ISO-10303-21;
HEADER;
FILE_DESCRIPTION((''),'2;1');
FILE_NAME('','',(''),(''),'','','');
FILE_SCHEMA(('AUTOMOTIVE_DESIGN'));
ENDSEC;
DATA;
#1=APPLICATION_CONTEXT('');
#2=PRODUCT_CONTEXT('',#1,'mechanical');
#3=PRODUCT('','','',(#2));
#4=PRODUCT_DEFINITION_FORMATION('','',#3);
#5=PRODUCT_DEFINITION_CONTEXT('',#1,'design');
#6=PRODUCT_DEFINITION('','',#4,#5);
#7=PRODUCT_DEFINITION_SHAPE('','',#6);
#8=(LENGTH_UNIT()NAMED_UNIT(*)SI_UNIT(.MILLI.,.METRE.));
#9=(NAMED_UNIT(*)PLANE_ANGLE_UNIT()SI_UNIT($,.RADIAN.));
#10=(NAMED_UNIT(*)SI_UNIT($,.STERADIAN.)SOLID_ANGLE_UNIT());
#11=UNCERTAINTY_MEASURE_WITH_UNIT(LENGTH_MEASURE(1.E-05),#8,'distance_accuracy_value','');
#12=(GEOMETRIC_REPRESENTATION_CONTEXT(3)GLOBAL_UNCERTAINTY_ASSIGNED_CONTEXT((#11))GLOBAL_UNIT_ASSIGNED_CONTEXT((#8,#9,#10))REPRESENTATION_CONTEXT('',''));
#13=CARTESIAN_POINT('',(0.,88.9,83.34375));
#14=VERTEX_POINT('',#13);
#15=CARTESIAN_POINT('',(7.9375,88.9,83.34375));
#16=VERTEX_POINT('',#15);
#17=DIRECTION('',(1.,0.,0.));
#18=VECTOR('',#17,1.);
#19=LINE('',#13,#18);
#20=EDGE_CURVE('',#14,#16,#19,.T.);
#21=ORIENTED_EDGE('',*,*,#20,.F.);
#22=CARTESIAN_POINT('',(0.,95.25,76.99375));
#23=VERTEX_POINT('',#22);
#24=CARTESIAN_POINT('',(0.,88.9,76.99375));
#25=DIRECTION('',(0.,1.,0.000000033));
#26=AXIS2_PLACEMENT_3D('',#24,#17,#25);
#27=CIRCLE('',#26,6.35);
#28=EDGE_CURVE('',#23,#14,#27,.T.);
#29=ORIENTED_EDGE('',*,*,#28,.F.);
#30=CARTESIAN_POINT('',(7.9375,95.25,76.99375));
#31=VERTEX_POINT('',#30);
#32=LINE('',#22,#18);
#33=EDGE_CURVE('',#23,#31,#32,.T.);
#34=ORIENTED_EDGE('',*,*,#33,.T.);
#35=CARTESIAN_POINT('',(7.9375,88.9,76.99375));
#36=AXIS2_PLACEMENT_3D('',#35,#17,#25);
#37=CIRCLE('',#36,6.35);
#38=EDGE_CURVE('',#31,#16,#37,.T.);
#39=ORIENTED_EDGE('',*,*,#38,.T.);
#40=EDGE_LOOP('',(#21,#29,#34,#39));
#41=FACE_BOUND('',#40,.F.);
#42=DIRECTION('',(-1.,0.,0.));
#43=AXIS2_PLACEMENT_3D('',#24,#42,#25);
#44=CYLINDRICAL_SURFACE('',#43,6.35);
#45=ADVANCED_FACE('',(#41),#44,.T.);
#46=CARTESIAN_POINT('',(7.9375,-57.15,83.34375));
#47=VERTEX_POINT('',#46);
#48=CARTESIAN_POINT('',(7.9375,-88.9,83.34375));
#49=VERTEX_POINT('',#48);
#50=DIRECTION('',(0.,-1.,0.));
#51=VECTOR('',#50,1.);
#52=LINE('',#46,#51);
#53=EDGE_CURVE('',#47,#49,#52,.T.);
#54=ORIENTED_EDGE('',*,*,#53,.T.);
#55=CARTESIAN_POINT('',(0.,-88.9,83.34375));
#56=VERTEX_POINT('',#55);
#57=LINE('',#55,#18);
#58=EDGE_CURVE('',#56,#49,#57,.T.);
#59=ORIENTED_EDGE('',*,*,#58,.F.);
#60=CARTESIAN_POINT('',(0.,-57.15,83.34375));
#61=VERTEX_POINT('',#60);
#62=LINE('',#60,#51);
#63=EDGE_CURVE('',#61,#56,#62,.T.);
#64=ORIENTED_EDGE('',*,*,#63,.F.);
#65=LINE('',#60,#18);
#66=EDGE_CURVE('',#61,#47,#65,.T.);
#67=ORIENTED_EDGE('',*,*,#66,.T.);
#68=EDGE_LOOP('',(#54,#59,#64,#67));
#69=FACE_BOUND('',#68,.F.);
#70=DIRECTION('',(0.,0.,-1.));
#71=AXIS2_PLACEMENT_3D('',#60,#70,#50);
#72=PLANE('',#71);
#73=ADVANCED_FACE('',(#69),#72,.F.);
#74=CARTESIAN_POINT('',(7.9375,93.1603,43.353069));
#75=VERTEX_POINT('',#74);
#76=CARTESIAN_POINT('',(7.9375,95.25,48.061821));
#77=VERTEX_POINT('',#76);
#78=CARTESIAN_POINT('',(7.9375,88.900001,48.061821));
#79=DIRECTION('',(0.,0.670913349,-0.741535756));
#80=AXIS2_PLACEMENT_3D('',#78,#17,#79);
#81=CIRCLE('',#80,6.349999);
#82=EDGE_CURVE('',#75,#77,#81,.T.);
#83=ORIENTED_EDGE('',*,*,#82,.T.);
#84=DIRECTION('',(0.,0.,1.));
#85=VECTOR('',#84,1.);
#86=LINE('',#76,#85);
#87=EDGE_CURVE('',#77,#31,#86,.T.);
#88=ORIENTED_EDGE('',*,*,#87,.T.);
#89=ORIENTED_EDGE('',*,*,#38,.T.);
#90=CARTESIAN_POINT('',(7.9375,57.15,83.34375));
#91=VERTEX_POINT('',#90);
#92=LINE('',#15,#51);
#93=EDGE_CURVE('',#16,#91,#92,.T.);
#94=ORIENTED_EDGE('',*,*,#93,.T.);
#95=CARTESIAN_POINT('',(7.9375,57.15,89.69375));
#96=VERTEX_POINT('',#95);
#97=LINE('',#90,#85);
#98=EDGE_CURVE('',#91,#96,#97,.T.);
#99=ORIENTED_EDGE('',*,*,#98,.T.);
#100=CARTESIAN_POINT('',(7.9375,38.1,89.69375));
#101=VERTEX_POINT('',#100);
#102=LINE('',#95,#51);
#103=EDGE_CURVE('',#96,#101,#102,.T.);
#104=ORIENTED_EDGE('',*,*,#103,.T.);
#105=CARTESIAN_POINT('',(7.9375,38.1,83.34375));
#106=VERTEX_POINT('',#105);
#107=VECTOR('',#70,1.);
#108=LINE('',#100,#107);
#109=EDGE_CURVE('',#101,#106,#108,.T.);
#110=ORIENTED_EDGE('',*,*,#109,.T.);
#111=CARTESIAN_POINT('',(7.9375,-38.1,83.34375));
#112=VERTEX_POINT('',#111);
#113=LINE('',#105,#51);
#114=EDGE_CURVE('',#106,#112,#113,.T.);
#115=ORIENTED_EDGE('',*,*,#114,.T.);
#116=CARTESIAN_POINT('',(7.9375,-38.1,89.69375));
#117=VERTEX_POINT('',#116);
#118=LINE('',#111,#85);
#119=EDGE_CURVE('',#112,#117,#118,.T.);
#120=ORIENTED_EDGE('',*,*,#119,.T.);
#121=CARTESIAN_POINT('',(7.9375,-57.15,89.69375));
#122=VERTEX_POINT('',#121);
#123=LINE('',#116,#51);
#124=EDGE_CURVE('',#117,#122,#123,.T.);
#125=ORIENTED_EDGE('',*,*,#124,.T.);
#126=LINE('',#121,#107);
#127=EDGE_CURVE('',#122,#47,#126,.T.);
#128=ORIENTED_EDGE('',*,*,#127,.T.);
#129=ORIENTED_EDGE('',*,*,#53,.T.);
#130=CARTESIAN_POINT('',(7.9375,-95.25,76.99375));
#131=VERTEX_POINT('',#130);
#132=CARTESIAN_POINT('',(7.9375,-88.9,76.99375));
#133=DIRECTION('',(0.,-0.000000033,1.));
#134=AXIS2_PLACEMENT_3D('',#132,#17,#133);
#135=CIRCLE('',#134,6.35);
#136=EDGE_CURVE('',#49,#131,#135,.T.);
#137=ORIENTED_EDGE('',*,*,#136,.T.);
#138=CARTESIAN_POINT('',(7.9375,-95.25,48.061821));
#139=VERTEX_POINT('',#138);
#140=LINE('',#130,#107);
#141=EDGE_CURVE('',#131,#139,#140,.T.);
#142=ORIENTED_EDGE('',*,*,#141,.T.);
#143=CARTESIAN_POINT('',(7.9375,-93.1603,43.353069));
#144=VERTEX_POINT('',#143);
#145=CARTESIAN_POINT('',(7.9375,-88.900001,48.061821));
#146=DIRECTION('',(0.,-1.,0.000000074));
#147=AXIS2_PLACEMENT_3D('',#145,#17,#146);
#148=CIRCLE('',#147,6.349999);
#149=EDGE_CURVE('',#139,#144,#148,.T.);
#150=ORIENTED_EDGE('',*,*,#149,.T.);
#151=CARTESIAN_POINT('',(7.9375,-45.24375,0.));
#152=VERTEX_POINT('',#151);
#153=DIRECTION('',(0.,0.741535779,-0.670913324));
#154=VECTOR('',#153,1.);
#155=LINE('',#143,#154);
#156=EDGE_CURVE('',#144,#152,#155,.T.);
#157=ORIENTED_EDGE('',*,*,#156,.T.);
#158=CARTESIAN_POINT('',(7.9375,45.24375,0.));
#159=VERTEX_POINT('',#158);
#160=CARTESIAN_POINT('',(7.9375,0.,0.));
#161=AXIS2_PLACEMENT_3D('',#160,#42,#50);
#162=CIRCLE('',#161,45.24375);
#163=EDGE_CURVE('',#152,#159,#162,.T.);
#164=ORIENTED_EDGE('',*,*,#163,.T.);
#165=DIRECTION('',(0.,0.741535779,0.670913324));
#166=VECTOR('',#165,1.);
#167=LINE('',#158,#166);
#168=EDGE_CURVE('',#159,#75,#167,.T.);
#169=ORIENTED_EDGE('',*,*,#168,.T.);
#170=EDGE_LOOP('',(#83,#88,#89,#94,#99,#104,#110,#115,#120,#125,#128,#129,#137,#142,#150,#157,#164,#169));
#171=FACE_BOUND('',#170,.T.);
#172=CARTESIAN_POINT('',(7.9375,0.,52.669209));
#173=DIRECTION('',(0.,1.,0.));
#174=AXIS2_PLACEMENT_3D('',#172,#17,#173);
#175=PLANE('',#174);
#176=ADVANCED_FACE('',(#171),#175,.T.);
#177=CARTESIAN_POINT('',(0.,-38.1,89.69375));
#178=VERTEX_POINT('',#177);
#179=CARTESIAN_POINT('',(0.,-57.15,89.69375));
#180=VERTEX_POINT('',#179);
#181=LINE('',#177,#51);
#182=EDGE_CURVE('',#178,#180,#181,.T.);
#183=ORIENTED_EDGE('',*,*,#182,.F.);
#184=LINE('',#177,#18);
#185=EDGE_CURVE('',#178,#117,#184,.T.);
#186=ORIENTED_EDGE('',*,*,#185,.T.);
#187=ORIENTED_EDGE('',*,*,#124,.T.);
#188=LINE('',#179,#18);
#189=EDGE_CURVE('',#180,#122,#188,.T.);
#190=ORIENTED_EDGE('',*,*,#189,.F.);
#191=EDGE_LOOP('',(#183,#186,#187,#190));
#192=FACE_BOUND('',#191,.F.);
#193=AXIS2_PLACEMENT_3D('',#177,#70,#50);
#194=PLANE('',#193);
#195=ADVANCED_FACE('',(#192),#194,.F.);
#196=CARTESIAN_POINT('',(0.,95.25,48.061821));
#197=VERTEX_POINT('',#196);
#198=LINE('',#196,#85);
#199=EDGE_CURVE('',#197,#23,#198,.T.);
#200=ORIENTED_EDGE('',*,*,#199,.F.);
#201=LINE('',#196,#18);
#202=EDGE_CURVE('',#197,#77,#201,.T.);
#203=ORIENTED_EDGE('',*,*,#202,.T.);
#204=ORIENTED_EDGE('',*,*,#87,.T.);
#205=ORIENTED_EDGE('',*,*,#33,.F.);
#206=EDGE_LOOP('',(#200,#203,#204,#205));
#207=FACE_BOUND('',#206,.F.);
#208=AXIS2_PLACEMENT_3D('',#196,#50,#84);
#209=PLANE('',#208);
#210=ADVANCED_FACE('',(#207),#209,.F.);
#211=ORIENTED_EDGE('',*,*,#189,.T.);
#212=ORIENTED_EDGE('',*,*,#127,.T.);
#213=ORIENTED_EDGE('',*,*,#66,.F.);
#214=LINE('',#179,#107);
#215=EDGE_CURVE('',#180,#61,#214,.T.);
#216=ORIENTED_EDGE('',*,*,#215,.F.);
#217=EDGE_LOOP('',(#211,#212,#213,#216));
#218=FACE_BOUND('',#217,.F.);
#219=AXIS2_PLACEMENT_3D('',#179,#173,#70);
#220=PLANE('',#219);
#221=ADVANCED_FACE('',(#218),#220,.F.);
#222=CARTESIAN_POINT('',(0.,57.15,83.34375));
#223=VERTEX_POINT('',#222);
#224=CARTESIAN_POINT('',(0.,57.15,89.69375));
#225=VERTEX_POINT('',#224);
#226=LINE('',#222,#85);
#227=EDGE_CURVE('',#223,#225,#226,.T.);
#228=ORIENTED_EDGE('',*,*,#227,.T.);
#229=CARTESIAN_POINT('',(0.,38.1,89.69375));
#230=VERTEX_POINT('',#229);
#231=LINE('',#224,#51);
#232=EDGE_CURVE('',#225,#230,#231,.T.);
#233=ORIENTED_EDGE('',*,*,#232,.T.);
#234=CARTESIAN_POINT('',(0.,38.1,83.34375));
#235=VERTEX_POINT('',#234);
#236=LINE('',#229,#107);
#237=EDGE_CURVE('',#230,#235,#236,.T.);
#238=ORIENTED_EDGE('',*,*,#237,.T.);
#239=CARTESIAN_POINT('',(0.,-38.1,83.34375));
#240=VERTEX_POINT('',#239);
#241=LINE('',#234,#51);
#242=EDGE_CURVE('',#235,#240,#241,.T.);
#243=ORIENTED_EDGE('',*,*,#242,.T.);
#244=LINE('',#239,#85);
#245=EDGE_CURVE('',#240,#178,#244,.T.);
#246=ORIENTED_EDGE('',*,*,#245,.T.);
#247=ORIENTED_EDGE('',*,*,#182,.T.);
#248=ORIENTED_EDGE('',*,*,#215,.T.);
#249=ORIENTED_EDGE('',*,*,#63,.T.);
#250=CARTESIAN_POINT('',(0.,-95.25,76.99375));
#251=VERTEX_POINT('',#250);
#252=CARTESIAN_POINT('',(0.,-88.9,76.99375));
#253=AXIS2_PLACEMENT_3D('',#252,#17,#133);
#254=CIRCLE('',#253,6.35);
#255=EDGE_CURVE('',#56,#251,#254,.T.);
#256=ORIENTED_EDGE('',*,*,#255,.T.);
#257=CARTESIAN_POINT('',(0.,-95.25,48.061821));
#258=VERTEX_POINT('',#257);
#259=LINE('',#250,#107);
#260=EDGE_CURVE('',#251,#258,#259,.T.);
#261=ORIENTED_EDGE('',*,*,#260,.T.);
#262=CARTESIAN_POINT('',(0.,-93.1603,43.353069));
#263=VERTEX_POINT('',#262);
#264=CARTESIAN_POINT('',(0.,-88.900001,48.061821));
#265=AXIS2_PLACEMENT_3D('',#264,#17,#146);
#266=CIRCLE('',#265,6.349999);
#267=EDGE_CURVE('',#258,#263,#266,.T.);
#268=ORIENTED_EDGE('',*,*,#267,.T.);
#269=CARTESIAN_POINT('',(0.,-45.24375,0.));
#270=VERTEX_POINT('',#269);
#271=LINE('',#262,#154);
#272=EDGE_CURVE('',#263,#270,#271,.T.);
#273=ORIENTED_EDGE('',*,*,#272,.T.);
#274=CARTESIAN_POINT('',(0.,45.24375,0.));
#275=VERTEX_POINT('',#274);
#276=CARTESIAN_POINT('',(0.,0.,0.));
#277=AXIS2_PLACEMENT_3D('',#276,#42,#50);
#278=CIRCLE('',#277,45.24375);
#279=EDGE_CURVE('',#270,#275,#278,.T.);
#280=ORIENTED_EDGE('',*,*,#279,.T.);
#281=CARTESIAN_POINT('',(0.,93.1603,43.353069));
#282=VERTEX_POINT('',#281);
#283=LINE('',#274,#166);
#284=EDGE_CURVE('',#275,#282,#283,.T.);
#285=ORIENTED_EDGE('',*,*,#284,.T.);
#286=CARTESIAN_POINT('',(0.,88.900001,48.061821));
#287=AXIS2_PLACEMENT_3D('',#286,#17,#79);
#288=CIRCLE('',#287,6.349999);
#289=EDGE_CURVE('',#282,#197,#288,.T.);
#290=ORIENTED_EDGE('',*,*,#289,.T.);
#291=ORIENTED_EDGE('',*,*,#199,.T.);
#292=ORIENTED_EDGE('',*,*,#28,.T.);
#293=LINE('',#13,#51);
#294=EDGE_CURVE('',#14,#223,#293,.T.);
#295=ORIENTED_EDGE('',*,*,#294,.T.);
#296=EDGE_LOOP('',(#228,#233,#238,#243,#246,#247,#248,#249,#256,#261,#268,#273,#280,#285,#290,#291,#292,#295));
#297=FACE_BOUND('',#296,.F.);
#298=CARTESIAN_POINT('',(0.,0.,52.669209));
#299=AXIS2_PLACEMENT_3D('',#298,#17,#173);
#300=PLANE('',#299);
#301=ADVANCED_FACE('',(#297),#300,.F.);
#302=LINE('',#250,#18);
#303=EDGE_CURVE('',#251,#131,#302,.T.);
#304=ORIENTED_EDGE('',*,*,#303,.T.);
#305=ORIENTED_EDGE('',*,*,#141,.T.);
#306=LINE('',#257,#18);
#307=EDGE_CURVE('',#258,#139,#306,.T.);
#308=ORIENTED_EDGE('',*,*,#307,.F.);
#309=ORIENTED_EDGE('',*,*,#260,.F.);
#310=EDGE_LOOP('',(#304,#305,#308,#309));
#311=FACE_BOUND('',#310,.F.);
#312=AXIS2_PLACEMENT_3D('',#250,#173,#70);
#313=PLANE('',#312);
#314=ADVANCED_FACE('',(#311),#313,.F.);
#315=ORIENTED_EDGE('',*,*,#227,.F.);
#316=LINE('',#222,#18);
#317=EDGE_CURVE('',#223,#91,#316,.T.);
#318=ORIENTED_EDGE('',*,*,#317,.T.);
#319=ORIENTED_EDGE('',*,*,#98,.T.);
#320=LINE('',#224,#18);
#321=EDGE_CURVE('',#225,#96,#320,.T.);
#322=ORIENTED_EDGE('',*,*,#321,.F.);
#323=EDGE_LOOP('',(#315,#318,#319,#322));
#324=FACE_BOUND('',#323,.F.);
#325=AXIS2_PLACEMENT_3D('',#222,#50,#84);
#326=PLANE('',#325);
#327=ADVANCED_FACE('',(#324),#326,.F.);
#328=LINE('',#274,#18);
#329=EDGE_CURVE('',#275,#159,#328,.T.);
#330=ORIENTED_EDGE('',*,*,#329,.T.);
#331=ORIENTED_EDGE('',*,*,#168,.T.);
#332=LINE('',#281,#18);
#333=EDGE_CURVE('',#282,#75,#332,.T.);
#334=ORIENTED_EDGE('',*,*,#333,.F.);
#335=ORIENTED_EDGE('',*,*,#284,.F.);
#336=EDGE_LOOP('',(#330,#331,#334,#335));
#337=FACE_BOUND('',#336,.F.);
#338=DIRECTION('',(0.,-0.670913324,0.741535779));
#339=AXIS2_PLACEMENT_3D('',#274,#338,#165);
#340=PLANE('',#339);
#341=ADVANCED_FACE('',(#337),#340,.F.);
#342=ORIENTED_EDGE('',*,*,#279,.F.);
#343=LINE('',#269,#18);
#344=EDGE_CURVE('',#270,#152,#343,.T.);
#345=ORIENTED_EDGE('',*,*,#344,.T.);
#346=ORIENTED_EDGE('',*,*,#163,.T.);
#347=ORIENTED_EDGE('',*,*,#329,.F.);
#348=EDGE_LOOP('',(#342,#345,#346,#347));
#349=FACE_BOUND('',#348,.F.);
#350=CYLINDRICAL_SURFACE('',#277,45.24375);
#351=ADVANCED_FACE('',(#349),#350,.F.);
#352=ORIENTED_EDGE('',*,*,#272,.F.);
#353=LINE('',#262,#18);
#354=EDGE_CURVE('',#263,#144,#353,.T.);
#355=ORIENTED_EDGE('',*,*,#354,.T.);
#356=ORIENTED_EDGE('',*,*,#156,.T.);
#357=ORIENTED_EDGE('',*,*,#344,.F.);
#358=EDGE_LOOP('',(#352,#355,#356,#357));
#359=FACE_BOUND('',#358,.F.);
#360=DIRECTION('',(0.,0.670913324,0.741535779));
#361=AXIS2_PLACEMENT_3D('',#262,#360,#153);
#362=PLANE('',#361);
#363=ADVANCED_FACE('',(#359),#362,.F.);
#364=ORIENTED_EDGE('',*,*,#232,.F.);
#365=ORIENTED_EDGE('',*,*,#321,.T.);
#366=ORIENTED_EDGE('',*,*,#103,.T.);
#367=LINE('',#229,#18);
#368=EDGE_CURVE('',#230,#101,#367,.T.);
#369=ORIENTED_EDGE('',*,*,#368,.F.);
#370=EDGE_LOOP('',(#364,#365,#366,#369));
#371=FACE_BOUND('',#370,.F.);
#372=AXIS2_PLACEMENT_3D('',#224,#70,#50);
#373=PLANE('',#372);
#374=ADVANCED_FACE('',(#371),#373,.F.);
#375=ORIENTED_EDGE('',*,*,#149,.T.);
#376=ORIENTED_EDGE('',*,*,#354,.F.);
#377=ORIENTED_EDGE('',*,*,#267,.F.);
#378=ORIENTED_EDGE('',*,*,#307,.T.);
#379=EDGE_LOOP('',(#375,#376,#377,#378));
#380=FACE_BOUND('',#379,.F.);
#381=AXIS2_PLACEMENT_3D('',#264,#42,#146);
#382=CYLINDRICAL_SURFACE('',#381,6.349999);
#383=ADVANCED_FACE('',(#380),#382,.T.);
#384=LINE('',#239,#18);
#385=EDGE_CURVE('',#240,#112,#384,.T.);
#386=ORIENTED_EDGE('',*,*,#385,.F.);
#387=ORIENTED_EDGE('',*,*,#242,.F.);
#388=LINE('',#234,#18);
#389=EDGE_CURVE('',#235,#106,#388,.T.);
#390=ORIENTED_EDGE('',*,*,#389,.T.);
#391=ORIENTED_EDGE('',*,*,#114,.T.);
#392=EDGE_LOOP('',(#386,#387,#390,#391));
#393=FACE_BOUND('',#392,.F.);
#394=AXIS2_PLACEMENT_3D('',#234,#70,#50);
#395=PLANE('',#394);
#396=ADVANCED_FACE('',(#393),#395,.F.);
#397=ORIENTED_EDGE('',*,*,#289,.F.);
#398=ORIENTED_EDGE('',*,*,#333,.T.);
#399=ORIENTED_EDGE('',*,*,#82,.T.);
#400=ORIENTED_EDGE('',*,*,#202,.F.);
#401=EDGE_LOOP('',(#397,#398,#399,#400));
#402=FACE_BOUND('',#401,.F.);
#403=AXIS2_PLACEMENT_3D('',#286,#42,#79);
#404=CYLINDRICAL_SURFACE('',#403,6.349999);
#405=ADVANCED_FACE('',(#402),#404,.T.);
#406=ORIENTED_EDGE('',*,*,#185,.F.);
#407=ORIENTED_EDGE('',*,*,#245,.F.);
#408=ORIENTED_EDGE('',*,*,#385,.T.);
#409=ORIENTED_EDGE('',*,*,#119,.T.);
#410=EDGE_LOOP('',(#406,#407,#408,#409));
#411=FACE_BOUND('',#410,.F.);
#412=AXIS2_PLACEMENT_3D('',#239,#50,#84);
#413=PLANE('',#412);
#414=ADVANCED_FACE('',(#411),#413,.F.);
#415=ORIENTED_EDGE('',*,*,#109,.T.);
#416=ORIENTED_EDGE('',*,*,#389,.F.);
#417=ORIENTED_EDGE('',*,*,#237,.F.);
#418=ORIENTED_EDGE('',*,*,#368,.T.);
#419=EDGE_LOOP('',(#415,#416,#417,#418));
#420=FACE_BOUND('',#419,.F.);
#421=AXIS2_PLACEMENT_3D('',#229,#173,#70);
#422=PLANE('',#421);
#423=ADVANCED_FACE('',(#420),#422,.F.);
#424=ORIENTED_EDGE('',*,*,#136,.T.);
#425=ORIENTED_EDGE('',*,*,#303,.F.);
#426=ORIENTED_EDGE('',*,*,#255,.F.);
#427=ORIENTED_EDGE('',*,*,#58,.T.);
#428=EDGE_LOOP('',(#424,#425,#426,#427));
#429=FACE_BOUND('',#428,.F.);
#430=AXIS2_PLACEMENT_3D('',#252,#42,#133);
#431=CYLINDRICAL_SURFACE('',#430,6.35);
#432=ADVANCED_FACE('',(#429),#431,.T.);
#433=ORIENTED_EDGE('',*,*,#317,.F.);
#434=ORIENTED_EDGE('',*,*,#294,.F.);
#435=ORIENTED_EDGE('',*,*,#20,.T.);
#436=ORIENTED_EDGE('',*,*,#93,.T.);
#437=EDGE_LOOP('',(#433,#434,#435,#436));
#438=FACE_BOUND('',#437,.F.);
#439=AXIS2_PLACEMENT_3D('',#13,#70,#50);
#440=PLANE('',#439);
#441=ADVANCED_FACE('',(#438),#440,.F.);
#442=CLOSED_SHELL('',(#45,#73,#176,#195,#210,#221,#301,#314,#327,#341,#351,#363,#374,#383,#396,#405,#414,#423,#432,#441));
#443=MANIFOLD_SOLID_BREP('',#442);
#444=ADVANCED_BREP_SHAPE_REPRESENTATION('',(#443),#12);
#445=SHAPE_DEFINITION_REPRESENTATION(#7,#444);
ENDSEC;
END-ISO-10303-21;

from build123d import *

# Parameters (mm, degrees)
F1_DEPTH = 7.9375


with BuildPart() as f1:
    # F0 (on Right) → F1 (new body)
    with BuildSketch(Plane.YZ):
        with BuildLine():
            ThreePointArc((-45.24375, 0), (0, 45.24375), (45.24375, 0))
            Line((45.24375, 0), (93.1603, 43.353069))
            ThreePointArc((93.1603, 43.353069), (94.704111, 45.486011), (95.25, 48.061821))
            Line((95.25, 48.061821), (95.25, 76.99375))
            ThreePointArc((95.25, 76.99375), (93.390128, 81.483878), (88.9, 83.34375))
            Line((88.9, 83.34375), (57.15, 83.34375))
            Line((57.15, 83.34375), (57.15, 89.69375))
            Line((57.15, 89.69375), (38.1, 89.69375))
            Line((38.1, 89.69375), (38.1, 83.34375))
            Line((38.1, 83.34375), (-38.1, 83.34375))
            Line((-38.1, 83.34375), (-38.1, 89.69375))
            Line((-38.1, 89.69375), (-57.15, 89.69375))
            Line((-57.15, 89.69375), (-57.15, 83.34375))
            Line((-57.15, 83.34375), (-88.9, 83.34375))
            ThreePointArc((-88.9, 83.34375), (-93.390128, 81.483878), (-95.25, 76.99375))
            Line((-95.25, 76.99375), (-95.25, 48.061821))
            ThreePointArc((-95.25, 48.061821), (-94.704111, 45.486011), (-93.1603, 43.353069))
            Line((-93.1603, 43.353069), (-45.24375, 0))
        make_face()
    extrude(amount=F1_DEPTH)


solid = f1.part
